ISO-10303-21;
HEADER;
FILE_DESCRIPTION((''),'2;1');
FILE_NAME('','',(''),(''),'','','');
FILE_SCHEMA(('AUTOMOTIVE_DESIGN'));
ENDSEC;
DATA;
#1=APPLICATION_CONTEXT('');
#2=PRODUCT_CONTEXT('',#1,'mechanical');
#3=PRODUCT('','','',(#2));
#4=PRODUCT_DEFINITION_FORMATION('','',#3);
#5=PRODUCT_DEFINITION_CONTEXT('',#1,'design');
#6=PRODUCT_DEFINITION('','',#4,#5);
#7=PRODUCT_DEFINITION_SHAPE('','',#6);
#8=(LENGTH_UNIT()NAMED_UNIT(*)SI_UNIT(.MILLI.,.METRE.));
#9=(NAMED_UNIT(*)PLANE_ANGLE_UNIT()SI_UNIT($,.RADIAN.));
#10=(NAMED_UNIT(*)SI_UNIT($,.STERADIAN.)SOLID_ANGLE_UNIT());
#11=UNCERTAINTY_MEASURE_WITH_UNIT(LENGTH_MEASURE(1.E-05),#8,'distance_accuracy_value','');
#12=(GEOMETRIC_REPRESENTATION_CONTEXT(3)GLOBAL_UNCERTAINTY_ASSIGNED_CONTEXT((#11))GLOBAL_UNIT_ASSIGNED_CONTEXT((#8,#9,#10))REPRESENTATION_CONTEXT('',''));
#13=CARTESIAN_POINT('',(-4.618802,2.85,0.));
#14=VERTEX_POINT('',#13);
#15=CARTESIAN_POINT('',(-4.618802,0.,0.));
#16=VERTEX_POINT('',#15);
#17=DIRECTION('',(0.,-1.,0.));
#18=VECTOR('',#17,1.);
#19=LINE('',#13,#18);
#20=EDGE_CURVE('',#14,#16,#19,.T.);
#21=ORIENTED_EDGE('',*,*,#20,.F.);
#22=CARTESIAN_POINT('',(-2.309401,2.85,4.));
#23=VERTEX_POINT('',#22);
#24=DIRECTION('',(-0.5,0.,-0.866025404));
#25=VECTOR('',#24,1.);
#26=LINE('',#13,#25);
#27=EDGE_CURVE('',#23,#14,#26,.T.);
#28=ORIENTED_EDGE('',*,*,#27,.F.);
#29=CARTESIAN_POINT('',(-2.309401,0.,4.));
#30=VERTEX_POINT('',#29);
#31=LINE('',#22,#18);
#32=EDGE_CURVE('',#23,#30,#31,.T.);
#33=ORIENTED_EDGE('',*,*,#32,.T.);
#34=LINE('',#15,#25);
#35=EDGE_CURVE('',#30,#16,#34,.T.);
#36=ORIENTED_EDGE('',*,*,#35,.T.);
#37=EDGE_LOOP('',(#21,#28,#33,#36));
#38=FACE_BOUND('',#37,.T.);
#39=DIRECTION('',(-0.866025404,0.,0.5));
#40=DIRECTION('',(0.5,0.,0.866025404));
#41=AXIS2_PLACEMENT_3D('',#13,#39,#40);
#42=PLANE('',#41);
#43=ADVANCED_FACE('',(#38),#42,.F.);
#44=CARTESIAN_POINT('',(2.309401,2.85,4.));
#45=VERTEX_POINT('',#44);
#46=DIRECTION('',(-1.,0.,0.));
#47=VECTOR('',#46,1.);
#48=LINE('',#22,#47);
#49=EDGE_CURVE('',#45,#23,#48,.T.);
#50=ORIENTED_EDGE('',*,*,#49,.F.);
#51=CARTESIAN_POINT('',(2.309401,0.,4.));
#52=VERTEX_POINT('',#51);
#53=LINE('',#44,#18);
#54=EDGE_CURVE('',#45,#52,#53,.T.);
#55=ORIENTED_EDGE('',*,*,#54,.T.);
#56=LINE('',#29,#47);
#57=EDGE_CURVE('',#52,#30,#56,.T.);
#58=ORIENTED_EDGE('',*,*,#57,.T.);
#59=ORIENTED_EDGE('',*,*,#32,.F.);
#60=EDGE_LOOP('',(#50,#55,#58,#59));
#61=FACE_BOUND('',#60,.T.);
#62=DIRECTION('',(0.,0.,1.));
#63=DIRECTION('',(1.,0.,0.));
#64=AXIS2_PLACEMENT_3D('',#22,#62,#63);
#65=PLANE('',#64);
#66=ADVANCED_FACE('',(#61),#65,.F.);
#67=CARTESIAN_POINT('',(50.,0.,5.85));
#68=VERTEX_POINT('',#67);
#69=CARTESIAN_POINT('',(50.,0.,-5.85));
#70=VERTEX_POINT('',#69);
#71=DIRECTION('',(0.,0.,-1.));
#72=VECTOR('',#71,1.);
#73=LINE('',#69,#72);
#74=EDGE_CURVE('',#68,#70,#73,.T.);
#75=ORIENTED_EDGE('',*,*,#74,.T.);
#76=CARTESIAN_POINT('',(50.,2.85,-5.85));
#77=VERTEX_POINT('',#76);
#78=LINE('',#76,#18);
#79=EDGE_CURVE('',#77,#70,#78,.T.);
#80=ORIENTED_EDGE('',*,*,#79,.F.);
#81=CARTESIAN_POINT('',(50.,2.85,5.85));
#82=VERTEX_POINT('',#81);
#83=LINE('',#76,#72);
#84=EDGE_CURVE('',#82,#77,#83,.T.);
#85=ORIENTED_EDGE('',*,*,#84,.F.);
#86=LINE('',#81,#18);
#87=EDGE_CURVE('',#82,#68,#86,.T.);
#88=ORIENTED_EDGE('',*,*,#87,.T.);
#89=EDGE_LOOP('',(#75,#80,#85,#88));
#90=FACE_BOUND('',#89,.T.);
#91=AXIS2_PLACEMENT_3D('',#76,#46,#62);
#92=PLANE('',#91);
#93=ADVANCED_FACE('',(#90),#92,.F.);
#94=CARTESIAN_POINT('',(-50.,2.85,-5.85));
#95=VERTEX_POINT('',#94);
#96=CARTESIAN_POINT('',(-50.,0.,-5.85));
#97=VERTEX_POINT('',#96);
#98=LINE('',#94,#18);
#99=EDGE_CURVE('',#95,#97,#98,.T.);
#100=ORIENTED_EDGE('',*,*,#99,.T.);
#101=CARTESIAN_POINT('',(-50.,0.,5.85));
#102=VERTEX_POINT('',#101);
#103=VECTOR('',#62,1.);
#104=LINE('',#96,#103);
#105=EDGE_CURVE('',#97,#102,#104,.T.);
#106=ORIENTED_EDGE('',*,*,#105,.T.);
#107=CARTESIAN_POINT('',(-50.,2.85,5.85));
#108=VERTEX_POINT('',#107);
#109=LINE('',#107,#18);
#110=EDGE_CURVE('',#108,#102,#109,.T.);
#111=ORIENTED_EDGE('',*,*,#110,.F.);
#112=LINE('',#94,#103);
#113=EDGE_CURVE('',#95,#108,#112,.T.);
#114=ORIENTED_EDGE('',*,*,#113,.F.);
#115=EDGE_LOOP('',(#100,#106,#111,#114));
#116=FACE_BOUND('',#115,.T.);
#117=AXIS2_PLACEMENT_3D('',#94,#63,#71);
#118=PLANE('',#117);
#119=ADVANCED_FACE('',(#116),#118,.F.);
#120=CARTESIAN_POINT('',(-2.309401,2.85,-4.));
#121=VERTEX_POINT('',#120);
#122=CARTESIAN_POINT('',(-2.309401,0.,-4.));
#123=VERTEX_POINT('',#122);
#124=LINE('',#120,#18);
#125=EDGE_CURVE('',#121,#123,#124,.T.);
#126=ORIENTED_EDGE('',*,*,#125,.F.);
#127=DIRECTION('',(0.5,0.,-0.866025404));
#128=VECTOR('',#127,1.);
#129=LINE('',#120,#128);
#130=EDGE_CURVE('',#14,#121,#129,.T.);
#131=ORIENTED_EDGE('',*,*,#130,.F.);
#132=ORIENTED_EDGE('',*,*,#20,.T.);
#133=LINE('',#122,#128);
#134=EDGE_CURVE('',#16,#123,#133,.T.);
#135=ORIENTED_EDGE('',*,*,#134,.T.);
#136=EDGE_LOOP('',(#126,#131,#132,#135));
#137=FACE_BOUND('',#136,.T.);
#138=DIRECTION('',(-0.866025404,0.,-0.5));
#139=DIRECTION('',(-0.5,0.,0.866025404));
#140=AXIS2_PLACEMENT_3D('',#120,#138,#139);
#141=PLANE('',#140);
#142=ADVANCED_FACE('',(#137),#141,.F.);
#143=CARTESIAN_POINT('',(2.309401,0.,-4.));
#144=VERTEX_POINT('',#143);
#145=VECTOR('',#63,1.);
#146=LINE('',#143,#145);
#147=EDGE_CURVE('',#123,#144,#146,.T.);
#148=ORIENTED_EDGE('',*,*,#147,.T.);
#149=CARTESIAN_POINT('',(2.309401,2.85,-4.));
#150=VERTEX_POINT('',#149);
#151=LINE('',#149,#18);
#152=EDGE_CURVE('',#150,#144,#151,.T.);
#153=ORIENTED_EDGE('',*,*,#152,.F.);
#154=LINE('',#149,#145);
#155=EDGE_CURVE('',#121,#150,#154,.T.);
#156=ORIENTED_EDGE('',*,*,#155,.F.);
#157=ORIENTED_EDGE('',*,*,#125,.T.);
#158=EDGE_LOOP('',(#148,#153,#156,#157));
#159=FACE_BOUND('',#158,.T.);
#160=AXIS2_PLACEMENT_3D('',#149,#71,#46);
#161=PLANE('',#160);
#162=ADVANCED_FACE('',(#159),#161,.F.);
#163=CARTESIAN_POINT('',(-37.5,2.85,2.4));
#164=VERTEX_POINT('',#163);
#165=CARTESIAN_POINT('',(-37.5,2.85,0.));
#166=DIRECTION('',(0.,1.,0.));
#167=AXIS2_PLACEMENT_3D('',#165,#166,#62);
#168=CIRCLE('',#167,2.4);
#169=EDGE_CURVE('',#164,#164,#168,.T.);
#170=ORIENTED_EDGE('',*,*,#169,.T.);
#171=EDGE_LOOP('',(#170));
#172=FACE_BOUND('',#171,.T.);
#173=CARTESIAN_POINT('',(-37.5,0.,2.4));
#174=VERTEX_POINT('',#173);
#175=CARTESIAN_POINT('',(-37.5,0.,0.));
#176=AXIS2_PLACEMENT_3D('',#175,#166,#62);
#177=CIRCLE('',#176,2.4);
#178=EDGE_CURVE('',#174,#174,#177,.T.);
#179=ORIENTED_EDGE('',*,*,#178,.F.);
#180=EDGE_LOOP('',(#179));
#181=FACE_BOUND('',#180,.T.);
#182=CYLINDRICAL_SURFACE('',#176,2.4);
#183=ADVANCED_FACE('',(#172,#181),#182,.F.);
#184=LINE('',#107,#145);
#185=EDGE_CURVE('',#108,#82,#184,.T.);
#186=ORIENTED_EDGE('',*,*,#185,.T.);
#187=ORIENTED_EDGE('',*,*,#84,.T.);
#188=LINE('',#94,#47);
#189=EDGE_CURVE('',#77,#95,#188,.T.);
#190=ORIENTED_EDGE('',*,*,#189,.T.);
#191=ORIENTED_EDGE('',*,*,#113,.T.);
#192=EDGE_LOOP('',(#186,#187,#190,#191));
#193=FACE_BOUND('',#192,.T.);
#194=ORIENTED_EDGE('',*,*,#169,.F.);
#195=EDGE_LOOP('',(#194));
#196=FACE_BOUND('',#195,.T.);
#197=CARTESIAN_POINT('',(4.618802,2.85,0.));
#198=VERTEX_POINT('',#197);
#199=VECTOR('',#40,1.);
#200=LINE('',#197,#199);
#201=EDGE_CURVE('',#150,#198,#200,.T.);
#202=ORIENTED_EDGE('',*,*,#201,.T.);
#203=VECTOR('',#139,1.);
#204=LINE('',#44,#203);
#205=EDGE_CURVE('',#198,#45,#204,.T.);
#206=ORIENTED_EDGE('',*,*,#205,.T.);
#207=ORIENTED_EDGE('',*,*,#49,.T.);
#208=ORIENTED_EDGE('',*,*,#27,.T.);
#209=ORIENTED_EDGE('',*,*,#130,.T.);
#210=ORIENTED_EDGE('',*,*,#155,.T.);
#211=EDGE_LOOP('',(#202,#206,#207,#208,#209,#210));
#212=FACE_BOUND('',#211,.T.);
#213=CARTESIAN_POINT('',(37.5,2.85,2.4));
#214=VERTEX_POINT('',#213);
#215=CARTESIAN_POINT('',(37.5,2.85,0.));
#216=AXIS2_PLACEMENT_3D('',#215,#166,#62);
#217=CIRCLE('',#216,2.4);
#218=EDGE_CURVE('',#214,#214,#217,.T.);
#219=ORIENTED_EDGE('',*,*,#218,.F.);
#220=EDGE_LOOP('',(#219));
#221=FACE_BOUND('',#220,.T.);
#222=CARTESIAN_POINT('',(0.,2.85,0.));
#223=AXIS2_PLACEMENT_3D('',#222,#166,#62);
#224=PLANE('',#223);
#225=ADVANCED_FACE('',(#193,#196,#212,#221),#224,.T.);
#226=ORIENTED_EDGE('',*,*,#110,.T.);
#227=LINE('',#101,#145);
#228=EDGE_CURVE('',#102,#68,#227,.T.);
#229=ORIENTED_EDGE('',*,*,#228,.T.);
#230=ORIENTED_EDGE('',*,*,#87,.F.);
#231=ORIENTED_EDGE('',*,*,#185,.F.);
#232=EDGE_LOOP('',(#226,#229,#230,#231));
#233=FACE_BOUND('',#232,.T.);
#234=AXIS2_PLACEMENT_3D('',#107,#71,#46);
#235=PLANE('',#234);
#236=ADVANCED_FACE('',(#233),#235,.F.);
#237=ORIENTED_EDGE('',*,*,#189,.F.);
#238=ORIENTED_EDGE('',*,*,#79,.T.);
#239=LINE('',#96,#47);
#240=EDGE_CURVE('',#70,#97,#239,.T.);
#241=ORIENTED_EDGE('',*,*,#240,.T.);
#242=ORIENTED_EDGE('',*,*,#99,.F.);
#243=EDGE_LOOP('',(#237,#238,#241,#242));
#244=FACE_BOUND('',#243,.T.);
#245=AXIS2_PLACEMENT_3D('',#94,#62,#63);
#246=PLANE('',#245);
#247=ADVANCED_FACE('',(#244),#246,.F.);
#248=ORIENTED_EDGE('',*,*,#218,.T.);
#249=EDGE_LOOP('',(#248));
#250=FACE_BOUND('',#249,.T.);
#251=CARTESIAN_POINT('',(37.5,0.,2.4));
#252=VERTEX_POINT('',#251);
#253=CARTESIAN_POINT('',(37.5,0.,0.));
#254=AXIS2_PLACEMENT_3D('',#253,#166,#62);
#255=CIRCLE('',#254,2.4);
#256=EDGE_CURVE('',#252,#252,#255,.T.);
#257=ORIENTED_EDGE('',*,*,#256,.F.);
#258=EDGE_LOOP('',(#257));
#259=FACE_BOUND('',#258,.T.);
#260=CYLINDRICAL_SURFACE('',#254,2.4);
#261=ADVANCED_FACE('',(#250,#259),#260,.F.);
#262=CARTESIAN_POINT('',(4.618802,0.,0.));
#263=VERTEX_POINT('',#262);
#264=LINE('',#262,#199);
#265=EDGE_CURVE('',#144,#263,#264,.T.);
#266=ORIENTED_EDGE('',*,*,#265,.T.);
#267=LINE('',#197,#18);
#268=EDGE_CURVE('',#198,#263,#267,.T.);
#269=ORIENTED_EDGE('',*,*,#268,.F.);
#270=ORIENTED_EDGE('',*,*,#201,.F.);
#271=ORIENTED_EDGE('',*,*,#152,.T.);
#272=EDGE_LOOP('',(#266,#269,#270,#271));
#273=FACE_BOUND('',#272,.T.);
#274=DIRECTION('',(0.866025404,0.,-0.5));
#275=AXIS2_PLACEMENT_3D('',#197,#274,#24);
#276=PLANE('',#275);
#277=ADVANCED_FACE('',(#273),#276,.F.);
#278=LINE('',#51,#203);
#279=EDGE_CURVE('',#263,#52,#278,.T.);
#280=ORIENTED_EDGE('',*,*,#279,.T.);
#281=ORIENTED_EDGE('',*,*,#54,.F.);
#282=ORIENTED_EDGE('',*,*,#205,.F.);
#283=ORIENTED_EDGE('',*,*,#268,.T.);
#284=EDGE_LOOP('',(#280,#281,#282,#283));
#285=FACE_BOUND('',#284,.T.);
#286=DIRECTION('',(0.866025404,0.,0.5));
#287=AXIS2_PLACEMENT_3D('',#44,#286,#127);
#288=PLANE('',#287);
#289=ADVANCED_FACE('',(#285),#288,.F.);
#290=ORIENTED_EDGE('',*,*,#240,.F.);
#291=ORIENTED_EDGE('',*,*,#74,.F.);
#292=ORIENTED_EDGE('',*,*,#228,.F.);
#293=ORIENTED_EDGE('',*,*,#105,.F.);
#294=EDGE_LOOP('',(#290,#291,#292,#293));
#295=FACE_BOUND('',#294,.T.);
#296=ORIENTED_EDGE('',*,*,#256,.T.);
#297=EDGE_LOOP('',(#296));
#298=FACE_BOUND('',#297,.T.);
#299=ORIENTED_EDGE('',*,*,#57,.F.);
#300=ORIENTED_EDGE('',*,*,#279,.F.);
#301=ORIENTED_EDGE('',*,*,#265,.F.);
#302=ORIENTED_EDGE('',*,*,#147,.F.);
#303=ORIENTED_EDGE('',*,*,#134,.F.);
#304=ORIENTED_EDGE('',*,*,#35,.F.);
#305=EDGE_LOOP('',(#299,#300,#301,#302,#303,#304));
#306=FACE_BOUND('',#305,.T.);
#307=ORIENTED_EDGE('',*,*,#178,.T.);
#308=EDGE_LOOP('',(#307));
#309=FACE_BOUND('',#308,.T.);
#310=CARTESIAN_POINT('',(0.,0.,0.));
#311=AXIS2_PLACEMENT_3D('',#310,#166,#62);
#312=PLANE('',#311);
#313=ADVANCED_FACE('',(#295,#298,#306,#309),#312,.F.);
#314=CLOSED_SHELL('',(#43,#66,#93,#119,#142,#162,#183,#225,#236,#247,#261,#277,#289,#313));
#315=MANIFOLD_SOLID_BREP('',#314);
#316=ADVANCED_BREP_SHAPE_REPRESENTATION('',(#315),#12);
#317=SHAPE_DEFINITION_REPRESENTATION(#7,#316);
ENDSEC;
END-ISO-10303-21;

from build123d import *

# Parameters (mm, degrees)
SKETCH1_W           = 100
SKETCH1_H           = 11.7
BOSS_EXTRUDE1_DEPTH = 2.85
CUT_EXTRUDE1_DEPTH  = 51.421671928
SKETCH3_R           = 2.4
CUT_EXTRUDE2_DEPTH  = 51.421671928


with BuildPart() as part:
    # Sketch1 → Boss-Extrude1 (new body)
    with BuildSketch(Plane(origin=(0, 0, 0), x_dir=(1, 0, 0), z_dir=(0, 1, 0))):
        Rectangle(SKETCH1_W, SKETCH1_H)
    extrude(amount=BOSS_EXTRUDE1_DEPTH)

    # Sketch2 → Cut-Extrude1 (cut, through all)
    with BuildSketch(Plane.XZ):
        Polygon((-2.309401077, 4), (2.309401077, 4), (4.618802154, 0), (2.309401077, -4), (-2.309401077, -4), (-4.618802154, 0), align=None)
    extrude(amount=-CUT_EXTRUDE1_DEPTH, mode=Mode.SUBTRACT)

    # Sketch3 → Cut-Extrude2 (cut, through all)
    with BuildSketch(Plane(origin=(0, 2.85, 0), x_dir=(1, 0, 0), z_dir=(0, 1, 0))):
        with Locations(Location((-37.5, 0, 0), (0, 0, 270))):
            Circle(SKETCH3_R)
        with Locations(Location((37.5, 0, 0), (0, 0, 270))):
            Circle(SKETCH3_R)
    extrude(amount=-CUT_EXTRUDE2_DEPTH, mode=Mode.SUBTRACT)


solid = part.part
